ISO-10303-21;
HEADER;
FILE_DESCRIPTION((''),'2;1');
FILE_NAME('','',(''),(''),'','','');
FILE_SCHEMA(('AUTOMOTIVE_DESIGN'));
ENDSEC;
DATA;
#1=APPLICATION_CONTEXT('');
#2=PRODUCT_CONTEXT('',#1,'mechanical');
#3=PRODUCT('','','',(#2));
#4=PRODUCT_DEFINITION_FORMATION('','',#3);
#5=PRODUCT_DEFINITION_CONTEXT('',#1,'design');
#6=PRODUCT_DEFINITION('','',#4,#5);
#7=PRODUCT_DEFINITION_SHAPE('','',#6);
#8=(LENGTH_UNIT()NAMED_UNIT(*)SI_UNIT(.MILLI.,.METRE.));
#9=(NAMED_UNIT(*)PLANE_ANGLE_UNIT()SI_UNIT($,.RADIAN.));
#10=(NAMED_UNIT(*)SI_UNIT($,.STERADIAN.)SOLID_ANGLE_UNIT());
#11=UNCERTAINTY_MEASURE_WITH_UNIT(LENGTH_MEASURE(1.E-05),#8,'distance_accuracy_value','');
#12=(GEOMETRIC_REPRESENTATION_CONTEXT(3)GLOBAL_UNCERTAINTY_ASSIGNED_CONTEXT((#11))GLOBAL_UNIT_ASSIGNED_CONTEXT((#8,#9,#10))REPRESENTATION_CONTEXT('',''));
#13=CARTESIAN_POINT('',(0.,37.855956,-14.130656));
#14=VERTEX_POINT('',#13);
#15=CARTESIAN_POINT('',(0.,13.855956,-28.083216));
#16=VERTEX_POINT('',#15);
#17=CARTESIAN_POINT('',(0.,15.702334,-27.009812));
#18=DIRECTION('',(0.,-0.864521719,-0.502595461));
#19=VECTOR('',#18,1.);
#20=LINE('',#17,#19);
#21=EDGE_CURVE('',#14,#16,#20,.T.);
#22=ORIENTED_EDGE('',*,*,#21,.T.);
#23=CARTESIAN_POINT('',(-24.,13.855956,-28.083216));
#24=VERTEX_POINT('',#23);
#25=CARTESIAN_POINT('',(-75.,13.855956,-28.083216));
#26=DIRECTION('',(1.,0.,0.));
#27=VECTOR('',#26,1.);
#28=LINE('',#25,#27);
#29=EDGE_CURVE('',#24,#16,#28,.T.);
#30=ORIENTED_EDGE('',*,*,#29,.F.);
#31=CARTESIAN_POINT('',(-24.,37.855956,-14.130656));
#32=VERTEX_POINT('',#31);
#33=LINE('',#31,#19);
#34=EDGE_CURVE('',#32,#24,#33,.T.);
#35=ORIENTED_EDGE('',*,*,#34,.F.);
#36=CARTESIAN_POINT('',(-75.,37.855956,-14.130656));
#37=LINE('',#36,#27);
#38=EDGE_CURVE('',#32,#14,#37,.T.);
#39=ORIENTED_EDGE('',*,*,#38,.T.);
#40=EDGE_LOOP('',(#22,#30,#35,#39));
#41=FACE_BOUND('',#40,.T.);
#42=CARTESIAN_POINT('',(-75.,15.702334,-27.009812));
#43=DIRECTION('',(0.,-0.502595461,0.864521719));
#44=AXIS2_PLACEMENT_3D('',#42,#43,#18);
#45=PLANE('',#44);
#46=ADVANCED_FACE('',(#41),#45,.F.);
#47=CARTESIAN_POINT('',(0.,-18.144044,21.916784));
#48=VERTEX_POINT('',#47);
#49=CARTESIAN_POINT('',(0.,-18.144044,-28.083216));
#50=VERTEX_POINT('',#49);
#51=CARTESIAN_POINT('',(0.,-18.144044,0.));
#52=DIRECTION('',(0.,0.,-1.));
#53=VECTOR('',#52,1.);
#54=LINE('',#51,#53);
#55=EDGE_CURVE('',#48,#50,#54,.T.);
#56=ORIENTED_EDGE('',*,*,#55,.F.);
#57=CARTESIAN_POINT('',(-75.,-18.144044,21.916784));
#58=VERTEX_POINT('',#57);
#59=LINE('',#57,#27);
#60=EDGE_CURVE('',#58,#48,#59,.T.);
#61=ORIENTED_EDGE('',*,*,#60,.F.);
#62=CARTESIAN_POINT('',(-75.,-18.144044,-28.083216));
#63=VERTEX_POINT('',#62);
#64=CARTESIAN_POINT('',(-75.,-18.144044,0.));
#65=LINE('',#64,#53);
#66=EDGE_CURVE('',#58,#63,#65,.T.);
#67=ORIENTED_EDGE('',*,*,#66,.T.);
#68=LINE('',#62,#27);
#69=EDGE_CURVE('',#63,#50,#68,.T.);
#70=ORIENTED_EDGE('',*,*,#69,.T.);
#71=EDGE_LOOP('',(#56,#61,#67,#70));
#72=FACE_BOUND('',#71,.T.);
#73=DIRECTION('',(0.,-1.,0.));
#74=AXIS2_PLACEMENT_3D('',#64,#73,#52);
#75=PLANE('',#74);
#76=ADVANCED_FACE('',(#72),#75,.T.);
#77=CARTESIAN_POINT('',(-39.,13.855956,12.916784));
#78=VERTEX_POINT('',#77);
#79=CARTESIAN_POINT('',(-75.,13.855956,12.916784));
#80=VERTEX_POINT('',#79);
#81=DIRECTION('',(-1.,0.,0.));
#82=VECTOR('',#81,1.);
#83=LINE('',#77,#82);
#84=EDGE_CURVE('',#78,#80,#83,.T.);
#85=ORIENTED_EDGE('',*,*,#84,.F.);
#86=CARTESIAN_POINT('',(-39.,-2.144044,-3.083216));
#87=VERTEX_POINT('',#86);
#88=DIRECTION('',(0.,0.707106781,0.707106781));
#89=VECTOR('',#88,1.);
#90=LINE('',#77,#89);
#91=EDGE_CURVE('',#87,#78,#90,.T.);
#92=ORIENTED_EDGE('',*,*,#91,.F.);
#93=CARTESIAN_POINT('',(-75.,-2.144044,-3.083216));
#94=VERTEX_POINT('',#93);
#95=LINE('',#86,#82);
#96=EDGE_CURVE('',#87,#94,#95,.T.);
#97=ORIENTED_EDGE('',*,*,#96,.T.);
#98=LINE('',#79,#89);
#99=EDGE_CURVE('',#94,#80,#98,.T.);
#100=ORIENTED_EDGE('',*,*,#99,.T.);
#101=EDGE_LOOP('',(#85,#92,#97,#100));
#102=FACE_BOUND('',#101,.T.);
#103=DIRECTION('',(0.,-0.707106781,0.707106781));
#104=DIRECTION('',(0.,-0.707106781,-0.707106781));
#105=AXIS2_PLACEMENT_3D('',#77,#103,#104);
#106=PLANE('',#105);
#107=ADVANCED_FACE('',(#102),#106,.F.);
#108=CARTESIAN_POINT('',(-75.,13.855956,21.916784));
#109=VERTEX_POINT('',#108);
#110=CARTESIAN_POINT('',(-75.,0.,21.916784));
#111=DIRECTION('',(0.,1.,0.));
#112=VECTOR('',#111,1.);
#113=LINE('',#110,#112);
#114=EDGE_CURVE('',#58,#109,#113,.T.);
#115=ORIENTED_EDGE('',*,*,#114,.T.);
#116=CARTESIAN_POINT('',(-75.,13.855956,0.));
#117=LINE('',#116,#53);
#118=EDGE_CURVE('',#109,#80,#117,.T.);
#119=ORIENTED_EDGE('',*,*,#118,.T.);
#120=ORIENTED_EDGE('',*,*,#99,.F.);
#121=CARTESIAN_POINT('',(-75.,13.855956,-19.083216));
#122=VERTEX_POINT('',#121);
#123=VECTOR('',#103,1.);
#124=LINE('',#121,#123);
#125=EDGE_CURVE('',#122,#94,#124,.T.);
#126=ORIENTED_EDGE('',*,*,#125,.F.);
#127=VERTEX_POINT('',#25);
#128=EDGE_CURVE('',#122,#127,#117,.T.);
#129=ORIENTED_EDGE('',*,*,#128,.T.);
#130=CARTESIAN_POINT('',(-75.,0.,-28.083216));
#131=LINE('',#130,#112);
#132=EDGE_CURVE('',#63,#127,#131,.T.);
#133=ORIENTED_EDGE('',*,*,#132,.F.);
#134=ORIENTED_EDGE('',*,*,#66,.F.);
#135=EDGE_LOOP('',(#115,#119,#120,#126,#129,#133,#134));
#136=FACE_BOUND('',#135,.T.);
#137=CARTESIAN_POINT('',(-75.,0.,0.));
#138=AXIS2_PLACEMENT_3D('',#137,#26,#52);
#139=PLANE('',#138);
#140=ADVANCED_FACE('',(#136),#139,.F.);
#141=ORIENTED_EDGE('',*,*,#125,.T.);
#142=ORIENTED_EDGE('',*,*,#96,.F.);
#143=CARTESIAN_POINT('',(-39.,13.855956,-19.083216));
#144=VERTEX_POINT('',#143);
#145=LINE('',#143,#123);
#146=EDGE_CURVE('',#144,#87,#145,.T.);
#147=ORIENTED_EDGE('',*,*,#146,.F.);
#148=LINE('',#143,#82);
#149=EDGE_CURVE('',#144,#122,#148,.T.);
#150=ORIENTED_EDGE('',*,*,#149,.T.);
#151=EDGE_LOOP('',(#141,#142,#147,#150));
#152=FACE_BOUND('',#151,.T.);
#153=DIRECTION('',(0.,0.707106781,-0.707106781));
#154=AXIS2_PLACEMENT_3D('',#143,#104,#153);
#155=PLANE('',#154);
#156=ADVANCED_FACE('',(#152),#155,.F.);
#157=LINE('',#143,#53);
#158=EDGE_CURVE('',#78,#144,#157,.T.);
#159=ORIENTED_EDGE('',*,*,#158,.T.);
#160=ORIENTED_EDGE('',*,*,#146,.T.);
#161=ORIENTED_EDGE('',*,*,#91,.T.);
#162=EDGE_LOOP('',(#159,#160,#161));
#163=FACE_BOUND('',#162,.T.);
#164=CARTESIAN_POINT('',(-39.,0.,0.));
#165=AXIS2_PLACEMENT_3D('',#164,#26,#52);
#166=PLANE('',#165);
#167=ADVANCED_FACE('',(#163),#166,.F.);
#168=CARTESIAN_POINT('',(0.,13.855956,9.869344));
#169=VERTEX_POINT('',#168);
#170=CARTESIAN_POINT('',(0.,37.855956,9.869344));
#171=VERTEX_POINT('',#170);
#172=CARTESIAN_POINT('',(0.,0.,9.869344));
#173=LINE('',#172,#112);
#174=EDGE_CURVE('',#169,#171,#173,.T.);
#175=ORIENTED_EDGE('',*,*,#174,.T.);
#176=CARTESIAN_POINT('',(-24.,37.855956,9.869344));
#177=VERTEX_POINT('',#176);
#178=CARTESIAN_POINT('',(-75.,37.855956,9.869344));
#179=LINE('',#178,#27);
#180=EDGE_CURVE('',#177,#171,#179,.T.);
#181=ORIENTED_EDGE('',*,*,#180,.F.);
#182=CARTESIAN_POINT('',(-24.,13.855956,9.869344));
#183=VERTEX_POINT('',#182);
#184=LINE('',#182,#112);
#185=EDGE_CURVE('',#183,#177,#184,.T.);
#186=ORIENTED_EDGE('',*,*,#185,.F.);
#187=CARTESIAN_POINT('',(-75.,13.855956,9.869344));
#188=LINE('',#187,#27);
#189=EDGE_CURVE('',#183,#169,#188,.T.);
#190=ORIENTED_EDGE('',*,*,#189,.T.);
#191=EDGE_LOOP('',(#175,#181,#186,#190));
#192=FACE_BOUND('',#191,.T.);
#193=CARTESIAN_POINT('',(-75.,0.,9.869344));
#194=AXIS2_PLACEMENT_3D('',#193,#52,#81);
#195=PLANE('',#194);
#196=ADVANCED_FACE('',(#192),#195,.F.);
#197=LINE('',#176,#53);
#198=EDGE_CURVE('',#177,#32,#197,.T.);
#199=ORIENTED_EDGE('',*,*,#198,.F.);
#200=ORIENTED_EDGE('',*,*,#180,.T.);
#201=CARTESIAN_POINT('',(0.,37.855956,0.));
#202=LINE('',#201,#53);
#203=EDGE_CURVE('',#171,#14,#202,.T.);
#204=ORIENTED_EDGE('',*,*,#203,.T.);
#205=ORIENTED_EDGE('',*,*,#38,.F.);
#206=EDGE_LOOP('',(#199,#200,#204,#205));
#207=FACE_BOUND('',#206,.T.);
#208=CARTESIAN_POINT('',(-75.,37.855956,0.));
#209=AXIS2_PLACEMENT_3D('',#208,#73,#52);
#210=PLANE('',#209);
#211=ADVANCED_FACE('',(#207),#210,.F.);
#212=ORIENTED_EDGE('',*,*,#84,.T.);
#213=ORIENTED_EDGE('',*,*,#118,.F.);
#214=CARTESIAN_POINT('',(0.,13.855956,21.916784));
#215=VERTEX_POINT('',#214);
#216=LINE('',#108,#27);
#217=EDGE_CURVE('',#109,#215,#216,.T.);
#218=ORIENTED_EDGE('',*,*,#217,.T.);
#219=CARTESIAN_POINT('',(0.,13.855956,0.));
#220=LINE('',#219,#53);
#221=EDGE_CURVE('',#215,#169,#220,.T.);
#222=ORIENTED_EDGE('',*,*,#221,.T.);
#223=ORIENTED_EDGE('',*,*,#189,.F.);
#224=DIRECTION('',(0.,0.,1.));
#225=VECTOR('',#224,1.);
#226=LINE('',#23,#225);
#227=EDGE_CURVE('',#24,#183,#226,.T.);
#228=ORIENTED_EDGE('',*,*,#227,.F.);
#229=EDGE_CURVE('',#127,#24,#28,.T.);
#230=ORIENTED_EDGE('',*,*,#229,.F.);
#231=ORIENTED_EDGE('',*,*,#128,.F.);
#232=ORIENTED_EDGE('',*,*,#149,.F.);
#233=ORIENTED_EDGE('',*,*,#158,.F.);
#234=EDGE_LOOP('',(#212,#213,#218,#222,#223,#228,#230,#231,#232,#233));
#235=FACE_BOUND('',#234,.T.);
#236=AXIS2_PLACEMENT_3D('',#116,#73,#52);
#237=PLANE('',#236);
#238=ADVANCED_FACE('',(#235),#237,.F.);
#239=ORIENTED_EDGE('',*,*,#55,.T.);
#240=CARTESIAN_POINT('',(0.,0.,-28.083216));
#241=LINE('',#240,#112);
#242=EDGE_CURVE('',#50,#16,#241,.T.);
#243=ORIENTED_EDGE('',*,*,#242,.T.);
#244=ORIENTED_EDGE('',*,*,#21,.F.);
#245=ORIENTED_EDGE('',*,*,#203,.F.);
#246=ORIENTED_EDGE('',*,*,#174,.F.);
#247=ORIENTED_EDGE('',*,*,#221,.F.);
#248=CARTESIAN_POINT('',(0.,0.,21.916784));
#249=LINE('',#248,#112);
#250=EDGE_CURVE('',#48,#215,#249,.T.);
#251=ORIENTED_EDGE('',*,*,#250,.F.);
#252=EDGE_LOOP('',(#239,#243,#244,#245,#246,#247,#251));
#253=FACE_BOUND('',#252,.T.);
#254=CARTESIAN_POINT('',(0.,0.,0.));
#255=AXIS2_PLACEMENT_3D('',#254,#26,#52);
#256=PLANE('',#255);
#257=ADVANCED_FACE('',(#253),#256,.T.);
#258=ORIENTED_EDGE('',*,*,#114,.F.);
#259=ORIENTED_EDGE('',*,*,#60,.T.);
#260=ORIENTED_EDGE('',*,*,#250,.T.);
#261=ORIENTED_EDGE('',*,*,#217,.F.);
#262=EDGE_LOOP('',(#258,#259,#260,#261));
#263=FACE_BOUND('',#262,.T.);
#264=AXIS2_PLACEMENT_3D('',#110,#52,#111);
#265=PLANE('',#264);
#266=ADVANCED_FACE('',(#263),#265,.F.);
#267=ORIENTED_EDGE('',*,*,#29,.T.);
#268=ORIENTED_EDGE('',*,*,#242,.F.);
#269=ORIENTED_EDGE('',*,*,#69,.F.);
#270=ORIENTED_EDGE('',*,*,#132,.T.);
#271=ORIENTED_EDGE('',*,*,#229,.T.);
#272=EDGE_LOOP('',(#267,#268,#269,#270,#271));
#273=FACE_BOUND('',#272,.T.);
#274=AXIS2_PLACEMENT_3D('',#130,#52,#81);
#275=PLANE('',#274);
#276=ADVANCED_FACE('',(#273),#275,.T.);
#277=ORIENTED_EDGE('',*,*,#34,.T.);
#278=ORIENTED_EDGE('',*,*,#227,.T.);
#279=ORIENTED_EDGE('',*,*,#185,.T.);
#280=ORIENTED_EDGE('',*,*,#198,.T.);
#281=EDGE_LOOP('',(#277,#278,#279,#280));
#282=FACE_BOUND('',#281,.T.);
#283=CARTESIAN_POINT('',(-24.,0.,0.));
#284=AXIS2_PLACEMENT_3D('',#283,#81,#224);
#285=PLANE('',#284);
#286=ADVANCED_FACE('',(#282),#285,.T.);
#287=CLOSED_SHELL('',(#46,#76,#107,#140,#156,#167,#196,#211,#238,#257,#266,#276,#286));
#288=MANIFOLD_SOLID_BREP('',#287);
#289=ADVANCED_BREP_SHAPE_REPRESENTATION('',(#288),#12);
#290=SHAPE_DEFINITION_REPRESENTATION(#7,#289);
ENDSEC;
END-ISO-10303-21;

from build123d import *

# Parameters (mm, degrees)
BOSS_EXTRUDE1_DEPTH = 75
CUT_EXTRUDE1_DEPTH  = 51
CUT_EXTRUDE2_DEPTH  = 36


with BuildPart() as part:
    # Sketch1 → Boss-Extrude1 (new body)
    with BuildSketch(Plane(origin=(0, 0, 0), x_dir=(0, 0, -1), z_dir=(1, 0, 0))):
        Polygon((-21.916783927, 13.855955679), (-9.869343833, 13.855955679), (28.083216073, 13.855955679), (28.083216073, -18.144044321), (-21.916783927, -18.144044321), align=None)
        Polygon((14.130656167, 37.855955679), (28.083216073, 13.855955679), (-9.869343833, 13.855955679), (-9.869343833, 37.855955679), align=None)
    extrude(amount=-BOSS_EXTRUDE1_DEPTH)

    # Sketch2 → Cut-Extrude1 (cut)
    with BuildSketch(Plane.ZY.offset(75)):
        Polygon((-28.083216073, 13.855955679), (9.869343833, 13.855955679), (9.869343833, 37.855955679), (-14.130656167, 37.855955679), align=None)
    extrude(amount=-CUT_EXTRUDE1_DEPTH, mode=Mode.SUBTRACT)

    # Sketch3 → Cut-Extrude2 (cut)
    with BuildSketch(Plane.ZY.offset(75)):
        Polygon((-19.083216073, 13.855955679), (12.916783927, 13.855955679), (-3.083216073, -2.144044321), align=None)
    extrude(amount=-CUT_EXTRUDE2_DEPTH, mode=Mode.SUBTRACT)


solid = part.part
